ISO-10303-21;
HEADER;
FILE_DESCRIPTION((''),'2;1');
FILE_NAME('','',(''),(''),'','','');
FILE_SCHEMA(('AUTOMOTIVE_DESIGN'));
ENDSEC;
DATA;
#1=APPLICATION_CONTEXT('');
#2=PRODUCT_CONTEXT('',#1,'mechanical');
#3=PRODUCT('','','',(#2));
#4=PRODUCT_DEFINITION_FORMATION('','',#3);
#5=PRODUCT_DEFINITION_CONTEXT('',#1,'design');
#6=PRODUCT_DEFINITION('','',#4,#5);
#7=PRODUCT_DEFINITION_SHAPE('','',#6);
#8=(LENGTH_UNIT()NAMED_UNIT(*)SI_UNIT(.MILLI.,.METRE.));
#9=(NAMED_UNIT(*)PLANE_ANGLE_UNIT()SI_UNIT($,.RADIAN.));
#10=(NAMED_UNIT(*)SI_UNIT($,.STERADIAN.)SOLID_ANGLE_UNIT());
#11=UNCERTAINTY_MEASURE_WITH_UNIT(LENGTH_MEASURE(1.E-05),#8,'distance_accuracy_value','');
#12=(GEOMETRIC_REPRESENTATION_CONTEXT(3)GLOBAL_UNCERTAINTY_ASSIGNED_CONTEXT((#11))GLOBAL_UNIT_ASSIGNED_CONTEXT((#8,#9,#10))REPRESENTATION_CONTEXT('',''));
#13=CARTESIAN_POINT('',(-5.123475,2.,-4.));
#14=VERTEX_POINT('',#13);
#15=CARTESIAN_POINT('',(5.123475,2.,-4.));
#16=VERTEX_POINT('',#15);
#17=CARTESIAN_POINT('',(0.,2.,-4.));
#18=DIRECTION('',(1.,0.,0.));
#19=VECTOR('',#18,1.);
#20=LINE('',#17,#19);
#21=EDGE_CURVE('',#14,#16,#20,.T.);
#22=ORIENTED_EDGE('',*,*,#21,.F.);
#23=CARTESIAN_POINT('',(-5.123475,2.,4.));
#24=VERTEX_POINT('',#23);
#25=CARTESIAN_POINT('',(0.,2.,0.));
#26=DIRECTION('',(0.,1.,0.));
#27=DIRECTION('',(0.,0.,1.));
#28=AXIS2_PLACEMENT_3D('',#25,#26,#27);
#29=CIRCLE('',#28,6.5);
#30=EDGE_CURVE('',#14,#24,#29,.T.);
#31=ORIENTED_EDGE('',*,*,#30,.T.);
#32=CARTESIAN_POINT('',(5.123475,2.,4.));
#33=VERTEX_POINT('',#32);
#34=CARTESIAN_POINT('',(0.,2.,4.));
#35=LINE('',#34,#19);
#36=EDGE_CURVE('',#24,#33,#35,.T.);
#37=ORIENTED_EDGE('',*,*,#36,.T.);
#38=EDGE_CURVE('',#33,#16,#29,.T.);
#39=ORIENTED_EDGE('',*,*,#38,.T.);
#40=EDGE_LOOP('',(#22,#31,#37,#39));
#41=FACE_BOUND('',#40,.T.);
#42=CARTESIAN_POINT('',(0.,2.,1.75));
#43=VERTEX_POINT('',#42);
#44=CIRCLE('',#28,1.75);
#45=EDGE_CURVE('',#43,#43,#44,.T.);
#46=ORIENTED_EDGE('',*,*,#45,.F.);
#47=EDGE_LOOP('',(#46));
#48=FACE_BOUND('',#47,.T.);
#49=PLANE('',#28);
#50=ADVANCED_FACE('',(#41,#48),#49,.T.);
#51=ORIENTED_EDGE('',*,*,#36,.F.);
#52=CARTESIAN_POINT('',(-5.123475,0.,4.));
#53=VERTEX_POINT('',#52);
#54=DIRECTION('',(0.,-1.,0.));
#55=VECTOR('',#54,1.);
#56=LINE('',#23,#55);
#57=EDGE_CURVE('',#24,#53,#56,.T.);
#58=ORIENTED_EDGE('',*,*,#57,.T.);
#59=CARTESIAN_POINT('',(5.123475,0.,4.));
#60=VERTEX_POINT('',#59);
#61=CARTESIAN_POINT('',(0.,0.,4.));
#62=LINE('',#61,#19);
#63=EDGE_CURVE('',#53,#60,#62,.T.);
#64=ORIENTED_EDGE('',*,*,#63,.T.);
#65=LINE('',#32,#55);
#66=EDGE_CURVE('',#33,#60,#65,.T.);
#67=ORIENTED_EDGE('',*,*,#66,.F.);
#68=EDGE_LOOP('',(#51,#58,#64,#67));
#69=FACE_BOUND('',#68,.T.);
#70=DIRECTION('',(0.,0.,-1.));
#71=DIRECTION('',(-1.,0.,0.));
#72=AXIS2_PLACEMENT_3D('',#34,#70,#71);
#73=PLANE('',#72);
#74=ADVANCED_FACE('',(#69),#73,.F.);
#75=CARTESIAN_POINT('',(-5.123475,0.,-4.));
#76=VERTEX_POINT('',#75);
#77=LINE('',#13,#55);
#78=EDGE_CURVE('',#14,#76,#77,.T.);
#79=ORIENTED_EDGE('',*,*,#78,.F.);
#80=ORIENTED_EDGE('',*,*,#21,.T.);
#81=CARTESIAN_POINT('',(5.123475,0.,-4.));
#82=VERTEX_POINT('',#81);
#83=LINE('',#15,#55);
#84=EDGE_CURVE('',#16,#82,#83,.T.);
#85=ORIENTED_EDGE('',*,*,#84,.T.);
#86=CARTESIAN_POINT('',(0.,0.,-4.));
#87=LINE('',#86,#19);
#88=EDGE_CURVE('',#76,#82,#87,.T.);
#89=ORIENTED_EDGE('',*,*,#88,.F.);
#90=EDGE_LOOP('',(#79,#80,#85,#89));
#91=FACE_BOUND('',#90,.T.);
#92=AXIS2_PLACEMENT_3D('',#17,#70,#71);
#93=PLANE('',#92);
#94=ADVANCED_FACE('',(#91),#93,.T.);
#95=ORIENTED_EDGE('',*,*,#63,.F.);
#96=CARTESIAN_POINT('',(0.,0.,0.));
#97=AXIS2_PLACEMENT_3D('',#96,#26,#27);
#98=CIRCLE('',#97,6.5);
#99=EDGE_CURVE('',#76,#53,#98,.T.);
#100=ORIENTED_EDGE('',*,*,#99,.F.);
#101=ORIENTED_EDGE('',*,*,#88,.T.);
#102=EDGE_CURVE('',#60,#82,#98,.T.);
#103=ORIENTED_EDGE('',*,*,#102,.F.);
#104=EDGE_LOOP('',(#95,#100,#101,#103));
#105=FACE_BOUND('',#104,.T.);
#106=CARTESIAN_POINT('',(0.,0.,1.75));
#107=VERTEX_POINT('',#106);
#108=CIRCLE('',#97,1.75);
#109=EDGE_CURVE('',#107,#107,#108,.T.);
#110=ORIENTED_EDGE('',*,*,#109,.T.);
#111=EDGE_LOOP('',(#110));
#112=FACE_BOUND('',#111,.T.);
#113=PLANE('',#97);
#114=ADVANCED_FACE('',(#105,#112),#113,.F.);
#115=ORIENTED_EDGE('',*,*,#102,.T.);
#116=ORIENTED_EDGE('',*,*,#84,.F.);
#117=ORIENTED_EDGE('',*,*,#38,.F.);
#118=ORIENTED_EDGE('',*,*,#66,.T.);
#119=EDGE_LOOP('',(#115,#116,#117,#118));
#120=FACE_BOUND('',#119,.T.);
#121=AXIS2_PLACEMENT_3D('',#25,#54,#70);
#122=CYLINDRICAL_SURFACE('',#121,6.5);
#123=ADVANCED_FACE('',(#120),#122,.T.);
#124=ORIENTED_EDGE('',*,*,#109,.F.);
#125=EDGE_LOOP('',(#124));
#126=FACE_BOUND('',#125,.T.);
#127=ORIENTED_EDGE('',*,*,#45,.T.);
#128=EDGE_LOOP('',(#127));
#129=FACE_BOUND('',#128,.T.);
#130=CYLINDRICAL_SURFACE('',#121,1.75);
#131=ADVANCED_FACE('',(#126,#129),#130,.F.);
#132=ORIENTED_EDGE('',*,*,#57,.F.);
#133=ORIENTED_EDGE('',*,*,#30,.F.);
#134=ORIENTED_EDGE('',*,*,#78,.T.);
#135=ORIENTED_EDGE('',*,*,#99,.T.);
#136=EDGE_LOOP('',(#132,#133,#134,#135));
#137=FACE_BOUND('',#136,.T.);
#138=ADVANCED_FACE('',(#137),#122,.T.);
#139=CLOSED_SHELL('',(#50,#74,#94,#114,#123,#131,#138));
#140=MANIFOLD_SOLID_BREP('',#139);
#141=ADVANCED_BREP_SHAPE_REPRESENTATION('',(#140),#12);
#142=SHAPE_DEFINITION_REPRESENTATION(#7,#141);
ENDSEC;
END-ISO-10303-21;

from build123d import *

# Parameters (mm, degrees)
BOSS_EXTRUDE1_DEPTH = 2


with BuildPart() as part:
    # Sketch1 → Boss-Extrude1 (new body)
    with BuildSketch(Plane(origin=(0, 0, 0), x_dir=(1, 0, 0), z_dir=(0, 1, 0))):
        with BuildLine():
            ThreePointArc((-5.123475383, 4), (-6.146242348, 2.115113473), (-6.5, 0))
            Line((-6.5, 0), (-1.75, 0))
            ThreePointArc((-1.75, 0), (-1.237436867, 1.237436867), (0, 1.75))
            Line((0, 1.75), (0, 4))
            Line((0, 4), (-5.123475383, 4))
        make_face()
        with BuildLine():
            Line((0, 4), (0, 1.75))
            ThreePointArc((0, 1.75), (1.237436867, 1.237436867), (1.75, 0))
            Line((1.75, 0), (6.5, 0))
            ThreePointArc((6.5, 0), (6.146242348, 2.115113473), (5.123475383, 4))
            Line((5.123475383, 4), (0, 4))
        make_face()
        with BuildLine():
            Line((-1.75, 0), (-6.5, 0))
            ThreePointArc((-6.5, 0), (-6.146242348, -2.115113473), (-5.123475383, -4))
            Line((-5.123475383, -4), (0, -4))
            Line((0, -4), (0, -1.75))
            ThreePointArc((0, -1.75), (-1.237436867, -1.237436867), (-1.75, 0))
        make_face()
        with BuildLine():
            Line((0, -1.75), (0, -4))
            Line((0, -4), (5.123475383, -4))
            ThreePointArc((5.123475383, -4), (6.146242348, -2.115113473), (6.5, 0))
            Line((6.5, 0), (1.75, 0))
            ThreePointArc((1.75, 0), (1.237436867, -1.237436867), (0, -1.75))
        make_face()
    extrude(amount=BOSS_EXTRUDE1_DEPTH)


solid = part.part
